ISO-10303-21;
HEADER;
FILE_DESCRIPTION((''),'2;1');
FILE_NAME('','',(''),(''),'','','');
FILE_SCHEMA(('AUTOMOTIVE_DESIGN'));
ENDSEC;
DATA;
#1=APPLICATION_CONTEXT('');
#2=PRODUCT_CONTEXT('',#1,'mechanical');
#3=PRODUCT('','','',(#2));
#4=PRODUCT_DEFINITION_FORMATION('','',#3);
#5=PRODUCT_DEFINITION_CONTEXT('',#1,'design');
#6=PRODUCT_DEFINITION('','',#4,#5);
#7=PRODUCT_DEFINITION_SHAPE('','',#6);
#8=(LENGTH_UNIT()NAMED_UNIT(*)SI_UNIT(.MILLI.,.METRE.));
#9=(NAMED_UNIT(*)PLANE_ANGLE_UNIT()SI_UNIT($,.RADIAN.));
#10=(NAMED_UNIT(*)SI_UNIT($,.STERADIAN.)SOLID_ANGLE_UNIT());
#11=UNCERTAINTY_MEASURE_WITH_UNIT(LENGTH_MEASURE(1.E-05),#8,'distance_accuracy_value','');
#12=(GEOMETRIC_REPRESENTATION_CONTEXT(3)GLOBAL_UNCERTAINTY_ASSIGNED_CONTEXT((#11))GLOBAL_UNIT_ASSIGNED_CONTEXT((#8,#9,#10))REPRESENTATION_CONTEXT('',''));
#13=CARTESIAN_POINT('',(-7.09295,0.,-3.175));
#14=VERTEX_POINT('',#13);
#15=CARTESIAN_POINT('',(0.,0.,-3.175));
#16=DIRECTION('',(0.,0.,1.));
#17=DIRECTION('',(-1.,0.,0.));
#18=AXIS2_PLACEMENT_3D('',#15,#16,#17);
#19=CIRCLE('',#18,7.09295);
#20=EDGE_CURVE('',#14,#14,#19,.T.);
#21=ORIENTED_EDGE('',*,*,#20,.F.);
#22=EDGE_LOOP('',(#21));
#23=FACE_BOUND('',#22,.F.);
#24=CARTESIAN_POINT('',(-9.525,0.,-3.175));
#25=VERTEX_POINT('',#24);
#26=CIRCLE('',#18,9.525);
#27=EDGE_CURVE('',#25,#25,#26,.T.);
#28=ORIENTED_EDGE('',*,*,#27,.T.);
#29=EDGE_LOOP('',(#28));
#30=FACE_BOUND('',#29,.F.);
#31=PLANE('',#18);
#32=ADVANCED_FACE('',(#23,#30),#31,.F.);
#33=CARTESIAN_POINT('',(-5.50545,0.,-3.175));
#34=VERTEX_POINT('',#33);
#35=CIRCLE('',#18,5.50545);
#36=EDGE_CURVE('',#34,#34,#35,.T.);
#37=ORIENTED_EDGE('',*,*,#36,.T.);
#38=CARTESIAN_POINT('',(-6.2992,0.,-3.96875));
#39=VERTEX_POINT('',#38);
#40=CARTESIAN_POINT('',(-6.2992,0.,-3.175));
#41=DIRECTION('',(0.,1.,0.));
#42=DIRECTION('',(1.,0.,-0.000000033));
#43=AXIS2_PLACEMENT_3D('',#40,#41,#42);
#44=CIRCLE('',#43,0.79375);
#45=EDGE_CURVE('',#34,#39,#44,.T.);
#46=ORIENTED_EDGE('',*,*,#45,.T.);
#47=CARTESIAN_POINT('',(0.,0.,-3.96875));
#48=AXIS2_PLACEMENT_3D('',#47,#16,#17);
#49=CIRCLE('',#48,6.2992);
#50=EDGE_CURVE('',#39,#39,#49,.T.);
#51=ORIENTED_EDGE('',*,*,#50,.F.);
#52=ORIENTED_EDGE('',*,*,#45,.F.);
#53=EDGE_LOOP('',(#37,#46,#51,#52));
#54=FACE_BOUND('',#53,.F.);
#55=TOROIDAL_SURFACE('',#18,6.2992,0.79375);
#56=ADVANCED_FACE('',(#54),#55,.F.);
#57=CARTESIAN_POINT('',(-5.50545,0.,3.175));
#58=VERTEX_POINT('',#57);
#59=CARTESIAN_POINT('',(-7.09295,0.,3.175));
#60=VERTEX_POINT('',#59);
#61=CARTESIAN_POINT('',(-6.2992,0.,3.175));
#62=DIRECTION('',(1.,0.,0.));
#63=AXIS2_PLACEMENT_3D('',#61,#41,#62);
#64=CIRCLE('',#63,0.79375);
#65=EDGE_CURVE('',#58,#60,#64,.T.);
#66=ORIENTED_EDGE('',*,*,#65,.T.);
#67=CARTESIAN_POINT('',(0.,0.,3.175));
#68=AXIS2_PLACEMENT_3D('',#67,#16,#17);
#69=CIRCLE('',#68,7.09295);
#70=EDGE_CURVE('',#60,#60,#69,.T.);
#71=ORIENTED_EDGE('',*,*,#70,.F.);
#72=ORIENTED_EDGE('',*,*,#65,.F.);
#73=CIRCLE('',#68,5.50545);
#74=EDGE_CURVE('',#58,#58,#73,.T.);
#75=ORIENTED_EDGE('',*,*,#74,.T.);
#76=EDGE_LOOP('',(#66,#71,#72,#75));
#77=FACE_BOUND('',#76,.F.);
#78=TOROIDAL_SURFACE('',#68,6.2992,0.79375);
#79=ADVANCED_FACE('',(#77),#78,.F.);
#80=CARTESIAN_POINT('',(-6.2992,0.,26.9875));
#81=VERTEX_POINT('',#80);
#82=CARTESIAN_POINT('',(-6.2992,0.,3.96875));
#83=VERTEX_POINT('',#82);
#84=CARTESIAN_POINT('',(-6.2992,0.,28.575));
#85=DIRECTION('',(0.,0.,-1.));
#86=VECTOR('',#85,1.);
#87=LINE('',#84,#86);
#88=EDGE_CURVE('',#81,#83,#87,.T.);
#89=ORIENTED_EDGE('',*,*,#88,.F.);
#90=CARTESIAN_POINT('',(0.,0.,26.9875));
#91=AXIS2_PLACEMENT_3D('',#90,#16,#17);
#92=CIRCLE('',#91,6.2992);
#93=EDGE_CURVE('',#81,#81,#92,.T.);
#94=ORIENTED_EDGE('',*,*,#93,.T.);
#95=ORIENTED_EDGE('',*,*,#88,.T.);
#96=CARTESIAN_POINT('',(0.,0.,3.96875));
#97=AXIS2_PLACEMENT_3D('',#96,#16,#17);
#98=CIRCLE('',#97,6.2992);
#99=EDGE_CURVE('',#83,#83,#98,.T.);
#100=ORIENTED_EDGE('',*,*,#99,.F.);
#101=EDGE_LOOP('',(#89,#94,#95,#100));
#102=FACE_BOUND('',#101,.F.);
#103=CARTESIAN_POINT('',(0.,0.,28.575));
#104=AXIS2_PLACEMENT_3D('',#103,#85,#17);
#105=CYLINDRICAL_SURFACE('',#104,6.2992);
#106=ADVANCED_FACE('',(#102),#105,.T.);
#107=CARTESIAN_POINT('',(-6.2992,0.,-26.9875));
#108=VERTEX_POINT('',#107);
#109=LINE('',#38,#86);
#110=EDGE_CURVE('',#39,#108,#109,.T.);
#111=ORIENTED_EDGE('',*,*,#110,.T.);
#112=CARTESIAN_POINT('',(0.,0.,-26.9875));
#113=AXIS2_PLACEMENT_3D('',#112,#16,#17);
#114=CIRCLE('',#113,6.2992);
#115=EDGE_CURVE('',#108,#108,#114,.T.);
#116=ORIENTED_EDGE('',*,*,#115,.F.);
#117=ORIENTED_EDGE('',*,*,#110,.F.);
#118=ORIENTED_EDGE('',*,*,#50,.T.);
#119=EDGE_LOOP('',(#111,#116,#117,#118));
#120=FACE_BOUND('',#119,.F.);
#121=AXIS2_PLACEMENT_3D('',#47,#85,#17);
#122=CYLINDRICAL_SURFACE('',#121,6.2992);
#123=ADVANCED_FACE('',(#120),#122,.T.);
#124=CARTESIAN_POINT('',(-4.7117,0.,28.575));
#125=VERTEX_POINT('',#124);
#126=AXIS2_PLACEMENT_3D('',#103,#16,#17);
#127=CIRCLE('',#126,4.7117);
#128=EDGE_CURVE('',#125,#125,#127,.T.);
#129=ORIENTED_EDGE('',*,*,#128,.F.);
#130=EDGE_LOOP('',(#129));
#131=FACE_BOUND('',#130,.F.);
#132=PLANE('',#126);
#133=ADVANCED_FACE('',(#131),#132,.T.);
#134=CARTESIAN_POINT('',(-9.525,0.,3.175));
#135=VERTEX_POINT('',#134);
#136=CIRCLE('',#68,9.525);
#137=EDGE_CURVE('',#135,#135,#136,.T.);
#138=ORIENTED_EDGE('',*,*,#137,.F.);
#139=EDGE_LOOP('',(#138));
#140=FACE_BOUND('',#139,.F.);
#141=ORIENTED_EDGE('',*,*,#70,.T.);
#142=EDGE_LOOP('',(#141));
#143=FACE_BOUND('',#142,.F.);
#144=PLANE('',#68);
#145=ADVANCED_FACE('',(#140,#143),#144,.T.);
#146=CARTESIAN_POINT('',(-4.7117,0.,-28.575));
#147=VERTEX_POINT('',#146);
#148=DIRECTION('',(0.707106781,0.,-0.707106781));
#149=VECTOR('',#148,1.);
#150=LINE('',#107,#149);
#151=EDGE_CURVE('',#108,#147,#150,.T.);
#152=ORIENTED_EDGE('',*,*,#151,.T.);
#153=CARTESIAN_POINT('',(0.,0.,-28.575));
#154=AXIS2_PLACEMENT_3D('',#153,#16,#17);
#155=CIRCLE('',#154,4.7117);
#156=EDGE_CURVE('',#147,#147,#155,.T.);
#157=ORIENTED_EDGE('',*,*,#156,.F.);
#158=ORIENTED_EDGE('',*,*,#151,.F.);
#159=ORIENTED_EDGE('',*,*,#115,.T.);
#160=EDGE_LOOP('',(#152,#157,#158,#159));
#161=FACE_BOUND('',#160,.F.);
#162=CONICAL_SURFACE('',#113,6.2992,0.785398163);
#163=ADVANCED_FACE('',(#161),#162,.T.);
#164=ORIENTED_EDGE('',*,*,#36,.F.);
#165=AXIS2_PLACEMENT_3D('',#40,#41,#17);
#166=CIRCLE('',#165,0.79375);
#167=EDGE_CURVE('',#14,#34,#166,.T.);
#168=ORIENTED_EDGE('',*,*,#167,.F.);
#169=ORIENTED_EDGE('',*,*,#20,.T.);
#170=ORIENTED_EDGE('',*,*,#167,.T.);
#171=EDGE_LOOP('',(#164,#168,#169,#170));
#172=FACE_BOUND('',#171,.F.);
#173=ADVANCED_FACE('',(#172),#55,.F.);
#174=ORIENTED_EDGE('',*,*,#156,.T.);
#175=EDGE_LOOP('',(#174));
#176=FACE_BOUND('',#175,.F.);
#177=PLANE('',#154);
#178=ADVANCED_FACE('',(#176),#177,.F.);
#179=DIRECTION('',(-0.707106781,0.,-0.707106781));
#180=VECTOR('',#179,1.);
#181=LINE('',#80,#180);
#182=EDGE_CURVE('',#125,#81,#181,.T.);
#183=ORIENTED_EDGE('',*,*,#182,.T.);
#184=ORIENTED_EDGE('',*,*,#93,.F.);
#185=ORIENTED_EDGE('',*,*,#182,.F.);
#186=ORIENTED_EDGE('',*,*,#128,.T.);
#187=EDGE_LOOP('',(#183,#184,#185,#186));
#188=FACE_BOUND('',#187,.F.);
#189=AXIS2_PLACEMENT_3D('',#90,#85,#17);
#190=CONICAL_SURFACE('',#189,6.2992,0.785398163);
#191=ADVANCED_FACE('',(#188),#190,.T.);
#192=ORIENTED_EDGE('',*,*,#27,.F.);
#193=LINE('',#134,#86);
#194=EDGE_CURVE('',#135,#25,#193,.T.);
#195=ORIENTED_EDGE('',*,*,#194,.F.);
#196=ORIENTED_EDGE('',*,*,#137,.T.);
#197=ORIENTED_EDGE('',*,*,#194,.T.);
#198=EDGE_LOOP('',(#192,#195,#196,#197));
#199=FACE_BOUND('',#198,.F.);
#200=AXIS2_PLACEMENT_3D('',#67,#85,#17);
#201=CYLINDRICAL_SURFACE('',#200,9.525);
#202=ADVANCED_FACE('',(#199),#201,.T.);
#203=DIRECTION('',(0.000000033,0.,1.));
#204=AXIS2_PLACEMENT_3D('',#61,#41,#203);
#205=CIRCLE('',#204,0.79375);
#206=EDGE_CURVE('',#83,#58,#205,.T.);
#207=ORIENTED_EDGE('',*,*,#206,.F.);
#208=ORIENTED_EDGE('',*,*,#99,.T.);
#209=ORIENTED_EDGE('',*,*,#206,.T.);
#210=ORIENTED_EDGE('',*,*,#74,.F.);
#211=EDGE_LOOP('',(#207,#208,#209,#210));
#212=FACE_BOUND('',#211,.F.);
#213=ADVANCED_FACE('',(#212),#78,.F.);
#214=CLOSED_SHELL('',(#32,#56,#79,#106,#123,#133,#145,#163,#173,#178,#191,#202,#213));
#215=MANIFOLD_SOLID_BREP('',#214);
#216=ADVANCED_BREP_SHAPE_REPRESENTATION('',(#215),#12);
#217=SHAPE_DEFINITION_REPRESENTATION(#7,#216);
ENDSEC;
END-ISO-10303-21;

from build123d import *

# Parameters (mm, degrees)
F2_SIZE = 1.5875


with BuildPart() as f1:
    # F0 (on Front) → F1 (revolve)
    with BuildSketch(Plane.XZ):
        with BuildLine():
            Line((-9.525, 3.175), (-9.525, 0))
            Line((-9.525, 0), (0, 0))
            Line((0, 0), (0, 28.575))
            Line((0, 28.575), (-6.2992, 28.575))
            Line((-6.2992, 28.575), (-6.2992, 3.96875))
            ThreePointArc((-6.2992, 3.96875), (-5.737934, 3.736266), (-5.50545, 3.175))
            ThreePointArc((-5.50545, 3.175), (-6.2992, 2.38125), (-7.09295, 3.175))
            Line((-7.09295, 3.175), (-9.525, 3.175))
        make_face()
        with BuildLine():
            Line((0, 0), (-9.525, 0))
            Line((-9.525, 0), (-9.525, -3.175))
            Line((-9.525, -3.175), (-7.09295, -3.175))
            ThreePointArc((-7.09295, -3.175), (-6.2992, -2.38125), (-5.50545, -3.175))
            ThreePointArc((-5.50545, -3.175), (-5.737934, -3.736266), (-6.2992, -3.96875))
            Line((-6.2992, -3.96875), (-6.2992, -28.575))
            Line((-6.2992, -28.575), (0, -28.575))
            Line((0, -28.575), (0, 0))
        make_face()
    revolve(axis=Axis((0, 0, -14.2875), (0, 0, 1)))

    # F2
    f2_edges = [f1.edges().sort_by_distance(p)[0] for p in [
        (6.2992, 0, 28.575),
        (6.2992, 0, -28.575),
    ]]
    chamfer(f2_edges, length=F2_SIZE)


solid = f1.part
